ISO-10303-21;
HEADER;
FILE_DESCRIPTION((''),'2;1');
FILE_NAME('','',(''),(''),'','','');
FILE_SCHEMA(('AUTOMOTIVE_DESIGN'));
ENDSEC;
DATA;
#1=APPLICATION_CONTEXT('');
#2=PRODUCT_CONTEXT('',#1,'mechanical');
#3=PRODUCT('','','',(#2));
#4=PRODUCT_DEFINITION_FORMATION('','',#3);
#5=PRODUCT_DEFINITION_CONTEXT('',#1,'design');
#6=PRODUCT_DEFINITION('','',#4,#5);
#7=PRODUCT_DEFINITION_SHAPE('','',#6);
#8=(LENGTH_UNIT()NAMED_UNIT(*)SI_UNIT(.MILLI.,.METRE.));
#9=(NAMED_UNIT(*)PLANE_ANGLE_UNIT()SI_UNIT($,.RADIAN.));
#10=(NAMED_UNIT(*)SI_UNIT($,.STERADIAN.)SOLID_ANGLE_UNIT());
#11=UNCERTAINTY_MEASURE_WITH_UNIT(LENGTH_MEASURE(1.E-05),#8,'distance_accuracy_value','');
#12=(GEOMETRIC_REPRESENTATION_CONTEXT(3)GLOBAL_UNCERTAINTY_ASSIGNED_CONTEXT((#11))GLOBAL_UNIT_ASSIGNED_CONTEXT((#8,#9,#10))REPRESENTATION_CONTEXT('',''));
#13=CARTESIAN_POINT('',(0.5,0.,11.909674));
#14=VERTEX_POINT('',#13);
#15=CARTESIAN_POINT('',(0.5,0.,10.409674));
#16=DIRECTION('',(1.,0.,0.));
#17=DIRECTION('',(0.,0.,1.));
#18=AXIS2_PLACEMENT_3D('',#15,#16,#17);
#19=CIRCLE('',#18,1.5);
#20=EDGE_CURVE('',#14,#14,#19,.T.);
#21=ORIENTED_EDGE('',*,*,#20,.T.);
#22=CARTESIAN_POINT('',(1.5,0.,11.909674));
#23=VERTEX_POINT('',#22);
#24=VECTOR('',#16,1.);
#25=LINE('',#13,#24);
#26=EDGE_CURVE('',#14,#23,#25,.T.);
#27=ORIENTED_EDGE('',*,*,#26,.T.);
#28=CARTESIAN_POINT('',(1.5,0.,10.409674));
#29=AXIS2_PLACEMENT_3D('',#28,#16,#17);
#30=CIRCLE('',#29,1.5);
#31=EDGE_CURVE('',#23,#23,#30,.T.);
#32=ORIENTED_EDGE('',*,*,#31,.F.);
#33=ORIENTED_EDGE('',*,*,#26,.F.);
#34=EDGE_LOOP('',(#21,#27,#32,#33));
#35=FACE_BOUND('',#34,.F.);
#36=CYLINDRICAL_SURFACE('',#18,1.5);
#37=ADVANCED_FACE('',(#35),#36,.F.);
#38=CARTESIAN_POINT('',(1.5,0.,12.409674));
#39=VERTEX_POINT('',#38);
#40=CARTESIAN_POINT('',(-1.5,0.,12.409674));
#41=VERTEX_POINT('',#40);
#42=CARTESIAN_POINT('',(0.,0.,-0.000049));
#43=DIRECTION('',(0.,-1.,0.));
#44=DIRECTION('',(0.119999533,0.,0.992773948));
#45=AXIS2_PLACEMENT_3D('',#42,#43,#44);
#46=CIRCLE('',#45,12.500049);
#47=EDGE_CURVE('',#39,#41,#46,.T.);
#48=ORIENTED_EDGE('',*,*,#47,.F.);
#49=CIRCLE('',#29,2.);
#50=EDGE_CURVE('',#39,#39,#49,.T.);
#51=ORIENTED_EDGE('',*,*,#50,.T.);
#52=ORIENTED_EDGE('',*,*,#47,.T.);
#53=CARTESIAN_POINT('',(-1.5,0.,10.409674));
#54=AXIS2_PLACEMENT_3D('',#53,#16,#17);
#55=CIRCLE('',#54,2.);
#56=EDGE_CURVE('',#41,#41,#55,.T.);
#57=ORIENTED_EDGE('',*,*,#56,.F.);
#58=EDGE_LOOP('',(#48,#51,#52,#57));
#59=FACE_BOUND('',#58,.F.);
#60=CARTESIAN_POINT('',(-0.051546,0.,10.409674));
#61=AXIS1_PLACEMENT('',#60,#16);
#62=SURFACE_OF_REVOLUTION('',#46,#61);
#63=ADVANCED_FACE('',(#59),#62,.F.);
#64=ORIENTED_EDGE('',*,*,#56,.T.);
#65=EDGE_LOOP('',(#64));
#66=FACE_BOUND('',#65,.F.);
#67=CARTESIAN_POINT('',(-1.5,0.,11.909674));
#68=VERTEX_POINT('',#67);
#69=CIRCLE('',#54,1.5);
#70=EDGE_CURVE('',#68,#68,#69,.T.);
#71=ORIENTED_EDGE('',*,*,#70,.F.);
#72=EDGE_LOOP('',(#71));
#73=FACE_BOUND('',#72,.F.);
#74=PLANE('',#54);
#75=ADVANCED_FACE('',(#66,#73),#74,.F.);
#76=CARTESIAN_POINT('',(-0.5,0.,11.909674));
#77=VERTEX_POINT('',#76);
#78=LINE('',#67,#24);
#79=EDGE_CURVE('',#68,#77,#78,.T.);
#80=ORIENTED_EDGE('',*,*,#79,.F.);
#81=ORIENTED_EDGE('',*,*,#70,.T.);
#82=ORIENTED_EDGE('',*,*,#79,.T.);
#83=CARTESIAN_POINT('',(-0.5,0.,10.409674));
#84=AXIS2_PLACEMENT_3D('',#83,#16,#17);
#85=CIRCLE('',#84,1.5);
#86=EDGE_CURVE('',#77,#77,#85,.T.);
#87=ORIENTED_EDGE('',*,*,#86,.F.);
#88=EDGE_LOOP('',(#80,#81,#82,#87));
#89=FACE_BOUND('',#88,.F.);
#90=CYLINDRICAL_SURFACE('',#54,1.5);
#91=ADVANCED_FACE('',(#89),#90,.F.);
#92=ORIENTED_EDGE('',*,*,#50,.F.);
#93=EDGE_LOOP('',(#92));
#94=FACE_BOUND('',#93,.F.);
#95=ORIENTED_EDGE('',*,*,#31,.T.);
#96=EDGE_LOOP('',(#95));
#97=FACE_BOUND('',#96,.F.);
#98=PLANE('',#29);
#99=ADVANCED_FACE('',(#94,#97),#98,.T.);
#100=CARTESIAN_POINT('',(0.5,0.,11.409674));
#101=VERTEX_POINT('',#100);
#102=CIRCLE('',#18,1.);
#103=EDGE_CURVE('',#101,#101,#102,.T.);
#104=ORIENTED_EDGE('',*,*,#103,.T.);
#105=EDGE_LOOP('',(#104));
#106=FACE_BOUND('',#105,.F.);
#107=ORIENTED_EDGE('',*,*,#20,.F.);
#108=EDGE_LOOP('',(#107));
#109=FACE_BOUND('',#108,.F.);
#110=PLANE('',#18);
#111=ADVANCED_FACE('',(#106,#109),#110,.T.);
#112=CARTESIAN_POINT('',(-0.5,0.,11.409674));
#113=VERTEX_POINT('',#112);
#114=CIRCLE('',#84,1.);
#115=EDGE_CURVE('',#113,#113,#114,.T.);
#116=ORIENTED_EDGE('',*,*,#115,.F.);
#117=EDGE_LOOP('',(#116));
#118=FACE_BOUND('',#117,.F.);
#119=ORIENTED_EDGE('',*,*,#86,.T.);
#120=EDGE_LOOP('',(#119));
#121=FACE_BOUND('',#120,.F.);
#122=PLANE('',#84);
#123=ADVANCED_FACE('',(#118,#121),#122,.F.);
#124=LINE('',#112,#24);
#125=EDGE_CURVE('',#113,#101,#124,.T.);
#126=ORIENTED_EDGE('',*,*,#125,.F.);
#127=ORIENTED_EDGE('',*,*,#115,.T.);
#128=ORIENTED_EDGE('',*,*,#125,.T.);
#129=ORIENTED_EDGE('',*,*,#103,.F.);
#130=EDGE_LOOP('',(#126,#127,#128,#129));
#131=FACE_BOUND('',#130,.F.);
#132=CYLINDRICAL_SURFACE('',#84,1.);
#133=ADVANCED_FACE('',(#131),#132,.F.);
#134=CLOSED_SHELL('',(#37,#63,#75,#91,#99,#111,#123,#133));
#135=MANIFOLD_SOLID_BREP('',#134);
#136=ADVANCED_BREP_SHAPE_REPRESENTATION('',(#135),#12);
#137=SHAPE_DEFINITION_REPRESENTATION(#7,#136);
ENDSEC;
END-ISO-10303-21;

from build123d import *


with BuildPart() as f1:
    # F0 (on Front) → F1 (revolve)
    with BuildSketch(Plane.XZ):
        with BuildLine():
            Line((1.5, 11.909674), (1.5, 12.409674))
            ThreePointArc((1.5, 12.409674), (0, 12.5), (-1.5, 12.409674))
            Line((-1.5, 12.409674), (-1.5, 11.909674))
            Line((-1.5, 11.909674), (-0.5, 11.909674))
            Line((-0.5, 11.909674), (-0.5, 11.409674))
            Line((-0.5, 11.409674), (0, 11.409674))
            Line((0, 11.409674), (0.5, 11.409674))
            Line((0.5, 11.409674), (0.5, 11.909674))
            Line((0.5, 11.909674), (1.5, 11.909674))
        make_face()
    revolve(axis=Axis((-0.051546, 0, 10.409674), (1, 0, 0)))


solid = f1.part
